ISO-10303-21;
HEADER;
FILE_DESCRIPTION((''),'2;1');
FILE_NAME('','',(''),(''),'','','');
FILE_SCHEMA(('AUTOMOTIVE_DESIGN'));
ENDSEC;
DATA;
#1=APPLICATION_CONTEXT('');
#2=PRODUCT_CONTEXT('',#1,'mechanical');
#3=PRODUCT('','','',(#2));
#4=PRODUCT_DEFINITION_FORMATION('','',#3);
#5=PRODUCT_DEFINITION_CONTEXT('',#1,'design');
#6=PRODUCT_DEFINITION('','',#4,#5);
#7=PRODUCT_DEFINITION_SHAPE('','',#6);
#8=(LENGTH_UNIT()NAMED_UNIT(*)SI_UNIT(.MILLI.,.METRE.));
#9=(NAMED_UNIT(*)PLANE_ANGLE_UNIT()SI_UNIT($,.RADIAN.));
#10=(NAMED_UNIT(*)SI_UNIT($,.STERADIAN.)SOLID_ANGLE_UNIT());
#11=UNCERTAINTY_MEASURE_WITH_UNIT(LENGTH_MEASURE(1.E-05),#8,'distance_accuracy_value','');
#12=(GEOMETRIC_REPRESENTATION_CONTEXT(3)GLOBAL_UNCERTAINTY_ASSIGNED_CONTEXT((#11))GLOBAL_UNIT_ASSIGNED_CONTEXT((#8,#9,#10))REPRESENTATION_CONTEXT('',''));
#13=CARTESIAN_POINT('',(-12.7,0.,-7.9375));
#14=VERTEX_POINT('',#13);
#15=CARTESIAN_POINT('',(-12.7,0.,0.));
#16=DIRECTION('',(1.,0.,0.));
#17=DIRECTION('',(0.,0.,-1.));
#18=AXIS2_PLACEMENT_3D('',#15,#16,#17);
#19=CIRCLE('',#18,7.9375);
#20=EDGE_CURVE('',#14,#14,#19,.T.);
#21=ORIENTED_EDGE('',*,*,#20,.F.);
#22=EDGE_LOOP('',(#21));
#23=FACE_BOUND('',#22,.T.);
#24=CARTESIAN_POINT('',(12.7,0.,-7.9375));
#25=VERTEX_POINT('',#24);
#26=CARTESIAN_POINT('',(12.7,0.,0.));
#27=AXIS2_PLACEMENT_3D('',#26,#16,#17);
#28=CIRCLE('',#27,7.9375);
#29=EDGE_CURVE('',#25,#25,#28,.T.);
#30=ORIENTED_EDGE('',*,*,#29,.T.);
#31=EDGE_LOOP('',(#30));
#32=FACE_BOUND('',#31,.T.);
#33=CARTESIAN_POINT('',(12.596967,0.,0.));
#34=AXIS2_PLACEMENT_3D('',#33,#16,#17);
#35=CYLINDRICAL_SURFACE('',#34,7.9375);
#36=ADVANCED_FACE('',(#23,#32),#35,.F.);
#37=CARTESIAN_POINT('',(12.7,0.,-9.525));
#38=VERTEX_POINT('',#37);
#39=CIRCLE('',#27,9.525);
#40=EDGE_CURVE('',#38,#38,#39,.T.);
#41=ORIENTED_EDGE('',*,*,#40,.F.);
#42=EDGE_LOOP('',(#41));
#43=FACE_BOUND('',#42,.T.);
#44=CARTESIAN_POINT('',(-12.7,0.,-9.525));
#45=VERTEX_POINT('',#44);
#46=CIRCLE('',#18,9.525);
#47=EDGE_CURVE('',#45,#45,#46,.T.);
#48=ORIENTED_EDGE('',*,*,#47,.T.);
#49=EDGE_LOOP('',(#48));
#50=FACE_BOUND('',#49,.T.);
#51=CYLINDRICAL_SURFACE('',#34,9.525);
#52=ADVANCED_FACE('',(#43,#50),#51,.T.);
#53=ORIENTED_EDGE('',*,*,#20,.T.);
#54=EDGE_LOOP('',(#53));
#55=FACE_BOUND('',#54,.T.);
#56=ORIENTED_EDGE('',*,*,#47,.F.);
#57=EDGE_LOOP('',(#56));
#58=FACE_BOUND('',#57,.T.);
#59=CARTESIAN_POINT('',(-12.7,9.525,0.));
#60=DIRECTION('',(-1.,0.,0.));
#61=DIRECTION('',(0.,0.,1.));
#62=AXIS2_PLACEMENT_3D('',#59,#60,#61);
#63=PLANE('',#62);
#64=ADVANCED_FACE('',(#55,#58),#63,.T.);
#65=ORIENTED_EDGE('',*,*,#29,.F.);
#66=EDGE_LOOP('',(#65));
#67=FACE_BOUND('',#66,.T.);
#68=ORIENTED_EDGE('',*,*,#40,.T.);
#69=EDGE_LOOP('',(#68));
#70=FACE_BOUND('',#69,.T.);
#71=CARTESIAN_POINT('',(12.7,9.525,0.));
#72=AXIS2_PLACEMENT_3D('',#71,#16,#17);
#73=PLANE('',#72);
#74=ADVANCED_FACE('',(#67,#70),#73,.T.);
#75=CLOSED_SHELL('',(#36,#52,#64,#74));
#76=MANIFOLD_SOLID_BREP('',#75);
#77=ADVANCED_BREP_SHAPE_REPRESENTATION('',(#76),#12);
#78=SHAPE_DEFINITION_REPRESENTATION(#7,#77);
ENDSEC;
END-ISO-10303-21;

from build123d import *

# Parameters (mm, degrees)
SKETCH1_W = 25.4
SKETCH1_H = 1.5875


with BuildPart() as part:
    # Sketch1 → Revolve1 (revolve)
    with BuildSketch(Plane.XY, mode=Mode.PRIVATE) as revolve1_sk:
        with Locations((0, 8.73125)):
            Rectangle(SKETCH1_W, SKETCH1_H)
    revolve(revolve1_sk.sketch.rotate(Axis((12.596966995, 0, 0), (-1, 0, 0)), 90), axis=Axis((12.596966995, 0, 0), (-1, 0, 0)))


solid = part.part
